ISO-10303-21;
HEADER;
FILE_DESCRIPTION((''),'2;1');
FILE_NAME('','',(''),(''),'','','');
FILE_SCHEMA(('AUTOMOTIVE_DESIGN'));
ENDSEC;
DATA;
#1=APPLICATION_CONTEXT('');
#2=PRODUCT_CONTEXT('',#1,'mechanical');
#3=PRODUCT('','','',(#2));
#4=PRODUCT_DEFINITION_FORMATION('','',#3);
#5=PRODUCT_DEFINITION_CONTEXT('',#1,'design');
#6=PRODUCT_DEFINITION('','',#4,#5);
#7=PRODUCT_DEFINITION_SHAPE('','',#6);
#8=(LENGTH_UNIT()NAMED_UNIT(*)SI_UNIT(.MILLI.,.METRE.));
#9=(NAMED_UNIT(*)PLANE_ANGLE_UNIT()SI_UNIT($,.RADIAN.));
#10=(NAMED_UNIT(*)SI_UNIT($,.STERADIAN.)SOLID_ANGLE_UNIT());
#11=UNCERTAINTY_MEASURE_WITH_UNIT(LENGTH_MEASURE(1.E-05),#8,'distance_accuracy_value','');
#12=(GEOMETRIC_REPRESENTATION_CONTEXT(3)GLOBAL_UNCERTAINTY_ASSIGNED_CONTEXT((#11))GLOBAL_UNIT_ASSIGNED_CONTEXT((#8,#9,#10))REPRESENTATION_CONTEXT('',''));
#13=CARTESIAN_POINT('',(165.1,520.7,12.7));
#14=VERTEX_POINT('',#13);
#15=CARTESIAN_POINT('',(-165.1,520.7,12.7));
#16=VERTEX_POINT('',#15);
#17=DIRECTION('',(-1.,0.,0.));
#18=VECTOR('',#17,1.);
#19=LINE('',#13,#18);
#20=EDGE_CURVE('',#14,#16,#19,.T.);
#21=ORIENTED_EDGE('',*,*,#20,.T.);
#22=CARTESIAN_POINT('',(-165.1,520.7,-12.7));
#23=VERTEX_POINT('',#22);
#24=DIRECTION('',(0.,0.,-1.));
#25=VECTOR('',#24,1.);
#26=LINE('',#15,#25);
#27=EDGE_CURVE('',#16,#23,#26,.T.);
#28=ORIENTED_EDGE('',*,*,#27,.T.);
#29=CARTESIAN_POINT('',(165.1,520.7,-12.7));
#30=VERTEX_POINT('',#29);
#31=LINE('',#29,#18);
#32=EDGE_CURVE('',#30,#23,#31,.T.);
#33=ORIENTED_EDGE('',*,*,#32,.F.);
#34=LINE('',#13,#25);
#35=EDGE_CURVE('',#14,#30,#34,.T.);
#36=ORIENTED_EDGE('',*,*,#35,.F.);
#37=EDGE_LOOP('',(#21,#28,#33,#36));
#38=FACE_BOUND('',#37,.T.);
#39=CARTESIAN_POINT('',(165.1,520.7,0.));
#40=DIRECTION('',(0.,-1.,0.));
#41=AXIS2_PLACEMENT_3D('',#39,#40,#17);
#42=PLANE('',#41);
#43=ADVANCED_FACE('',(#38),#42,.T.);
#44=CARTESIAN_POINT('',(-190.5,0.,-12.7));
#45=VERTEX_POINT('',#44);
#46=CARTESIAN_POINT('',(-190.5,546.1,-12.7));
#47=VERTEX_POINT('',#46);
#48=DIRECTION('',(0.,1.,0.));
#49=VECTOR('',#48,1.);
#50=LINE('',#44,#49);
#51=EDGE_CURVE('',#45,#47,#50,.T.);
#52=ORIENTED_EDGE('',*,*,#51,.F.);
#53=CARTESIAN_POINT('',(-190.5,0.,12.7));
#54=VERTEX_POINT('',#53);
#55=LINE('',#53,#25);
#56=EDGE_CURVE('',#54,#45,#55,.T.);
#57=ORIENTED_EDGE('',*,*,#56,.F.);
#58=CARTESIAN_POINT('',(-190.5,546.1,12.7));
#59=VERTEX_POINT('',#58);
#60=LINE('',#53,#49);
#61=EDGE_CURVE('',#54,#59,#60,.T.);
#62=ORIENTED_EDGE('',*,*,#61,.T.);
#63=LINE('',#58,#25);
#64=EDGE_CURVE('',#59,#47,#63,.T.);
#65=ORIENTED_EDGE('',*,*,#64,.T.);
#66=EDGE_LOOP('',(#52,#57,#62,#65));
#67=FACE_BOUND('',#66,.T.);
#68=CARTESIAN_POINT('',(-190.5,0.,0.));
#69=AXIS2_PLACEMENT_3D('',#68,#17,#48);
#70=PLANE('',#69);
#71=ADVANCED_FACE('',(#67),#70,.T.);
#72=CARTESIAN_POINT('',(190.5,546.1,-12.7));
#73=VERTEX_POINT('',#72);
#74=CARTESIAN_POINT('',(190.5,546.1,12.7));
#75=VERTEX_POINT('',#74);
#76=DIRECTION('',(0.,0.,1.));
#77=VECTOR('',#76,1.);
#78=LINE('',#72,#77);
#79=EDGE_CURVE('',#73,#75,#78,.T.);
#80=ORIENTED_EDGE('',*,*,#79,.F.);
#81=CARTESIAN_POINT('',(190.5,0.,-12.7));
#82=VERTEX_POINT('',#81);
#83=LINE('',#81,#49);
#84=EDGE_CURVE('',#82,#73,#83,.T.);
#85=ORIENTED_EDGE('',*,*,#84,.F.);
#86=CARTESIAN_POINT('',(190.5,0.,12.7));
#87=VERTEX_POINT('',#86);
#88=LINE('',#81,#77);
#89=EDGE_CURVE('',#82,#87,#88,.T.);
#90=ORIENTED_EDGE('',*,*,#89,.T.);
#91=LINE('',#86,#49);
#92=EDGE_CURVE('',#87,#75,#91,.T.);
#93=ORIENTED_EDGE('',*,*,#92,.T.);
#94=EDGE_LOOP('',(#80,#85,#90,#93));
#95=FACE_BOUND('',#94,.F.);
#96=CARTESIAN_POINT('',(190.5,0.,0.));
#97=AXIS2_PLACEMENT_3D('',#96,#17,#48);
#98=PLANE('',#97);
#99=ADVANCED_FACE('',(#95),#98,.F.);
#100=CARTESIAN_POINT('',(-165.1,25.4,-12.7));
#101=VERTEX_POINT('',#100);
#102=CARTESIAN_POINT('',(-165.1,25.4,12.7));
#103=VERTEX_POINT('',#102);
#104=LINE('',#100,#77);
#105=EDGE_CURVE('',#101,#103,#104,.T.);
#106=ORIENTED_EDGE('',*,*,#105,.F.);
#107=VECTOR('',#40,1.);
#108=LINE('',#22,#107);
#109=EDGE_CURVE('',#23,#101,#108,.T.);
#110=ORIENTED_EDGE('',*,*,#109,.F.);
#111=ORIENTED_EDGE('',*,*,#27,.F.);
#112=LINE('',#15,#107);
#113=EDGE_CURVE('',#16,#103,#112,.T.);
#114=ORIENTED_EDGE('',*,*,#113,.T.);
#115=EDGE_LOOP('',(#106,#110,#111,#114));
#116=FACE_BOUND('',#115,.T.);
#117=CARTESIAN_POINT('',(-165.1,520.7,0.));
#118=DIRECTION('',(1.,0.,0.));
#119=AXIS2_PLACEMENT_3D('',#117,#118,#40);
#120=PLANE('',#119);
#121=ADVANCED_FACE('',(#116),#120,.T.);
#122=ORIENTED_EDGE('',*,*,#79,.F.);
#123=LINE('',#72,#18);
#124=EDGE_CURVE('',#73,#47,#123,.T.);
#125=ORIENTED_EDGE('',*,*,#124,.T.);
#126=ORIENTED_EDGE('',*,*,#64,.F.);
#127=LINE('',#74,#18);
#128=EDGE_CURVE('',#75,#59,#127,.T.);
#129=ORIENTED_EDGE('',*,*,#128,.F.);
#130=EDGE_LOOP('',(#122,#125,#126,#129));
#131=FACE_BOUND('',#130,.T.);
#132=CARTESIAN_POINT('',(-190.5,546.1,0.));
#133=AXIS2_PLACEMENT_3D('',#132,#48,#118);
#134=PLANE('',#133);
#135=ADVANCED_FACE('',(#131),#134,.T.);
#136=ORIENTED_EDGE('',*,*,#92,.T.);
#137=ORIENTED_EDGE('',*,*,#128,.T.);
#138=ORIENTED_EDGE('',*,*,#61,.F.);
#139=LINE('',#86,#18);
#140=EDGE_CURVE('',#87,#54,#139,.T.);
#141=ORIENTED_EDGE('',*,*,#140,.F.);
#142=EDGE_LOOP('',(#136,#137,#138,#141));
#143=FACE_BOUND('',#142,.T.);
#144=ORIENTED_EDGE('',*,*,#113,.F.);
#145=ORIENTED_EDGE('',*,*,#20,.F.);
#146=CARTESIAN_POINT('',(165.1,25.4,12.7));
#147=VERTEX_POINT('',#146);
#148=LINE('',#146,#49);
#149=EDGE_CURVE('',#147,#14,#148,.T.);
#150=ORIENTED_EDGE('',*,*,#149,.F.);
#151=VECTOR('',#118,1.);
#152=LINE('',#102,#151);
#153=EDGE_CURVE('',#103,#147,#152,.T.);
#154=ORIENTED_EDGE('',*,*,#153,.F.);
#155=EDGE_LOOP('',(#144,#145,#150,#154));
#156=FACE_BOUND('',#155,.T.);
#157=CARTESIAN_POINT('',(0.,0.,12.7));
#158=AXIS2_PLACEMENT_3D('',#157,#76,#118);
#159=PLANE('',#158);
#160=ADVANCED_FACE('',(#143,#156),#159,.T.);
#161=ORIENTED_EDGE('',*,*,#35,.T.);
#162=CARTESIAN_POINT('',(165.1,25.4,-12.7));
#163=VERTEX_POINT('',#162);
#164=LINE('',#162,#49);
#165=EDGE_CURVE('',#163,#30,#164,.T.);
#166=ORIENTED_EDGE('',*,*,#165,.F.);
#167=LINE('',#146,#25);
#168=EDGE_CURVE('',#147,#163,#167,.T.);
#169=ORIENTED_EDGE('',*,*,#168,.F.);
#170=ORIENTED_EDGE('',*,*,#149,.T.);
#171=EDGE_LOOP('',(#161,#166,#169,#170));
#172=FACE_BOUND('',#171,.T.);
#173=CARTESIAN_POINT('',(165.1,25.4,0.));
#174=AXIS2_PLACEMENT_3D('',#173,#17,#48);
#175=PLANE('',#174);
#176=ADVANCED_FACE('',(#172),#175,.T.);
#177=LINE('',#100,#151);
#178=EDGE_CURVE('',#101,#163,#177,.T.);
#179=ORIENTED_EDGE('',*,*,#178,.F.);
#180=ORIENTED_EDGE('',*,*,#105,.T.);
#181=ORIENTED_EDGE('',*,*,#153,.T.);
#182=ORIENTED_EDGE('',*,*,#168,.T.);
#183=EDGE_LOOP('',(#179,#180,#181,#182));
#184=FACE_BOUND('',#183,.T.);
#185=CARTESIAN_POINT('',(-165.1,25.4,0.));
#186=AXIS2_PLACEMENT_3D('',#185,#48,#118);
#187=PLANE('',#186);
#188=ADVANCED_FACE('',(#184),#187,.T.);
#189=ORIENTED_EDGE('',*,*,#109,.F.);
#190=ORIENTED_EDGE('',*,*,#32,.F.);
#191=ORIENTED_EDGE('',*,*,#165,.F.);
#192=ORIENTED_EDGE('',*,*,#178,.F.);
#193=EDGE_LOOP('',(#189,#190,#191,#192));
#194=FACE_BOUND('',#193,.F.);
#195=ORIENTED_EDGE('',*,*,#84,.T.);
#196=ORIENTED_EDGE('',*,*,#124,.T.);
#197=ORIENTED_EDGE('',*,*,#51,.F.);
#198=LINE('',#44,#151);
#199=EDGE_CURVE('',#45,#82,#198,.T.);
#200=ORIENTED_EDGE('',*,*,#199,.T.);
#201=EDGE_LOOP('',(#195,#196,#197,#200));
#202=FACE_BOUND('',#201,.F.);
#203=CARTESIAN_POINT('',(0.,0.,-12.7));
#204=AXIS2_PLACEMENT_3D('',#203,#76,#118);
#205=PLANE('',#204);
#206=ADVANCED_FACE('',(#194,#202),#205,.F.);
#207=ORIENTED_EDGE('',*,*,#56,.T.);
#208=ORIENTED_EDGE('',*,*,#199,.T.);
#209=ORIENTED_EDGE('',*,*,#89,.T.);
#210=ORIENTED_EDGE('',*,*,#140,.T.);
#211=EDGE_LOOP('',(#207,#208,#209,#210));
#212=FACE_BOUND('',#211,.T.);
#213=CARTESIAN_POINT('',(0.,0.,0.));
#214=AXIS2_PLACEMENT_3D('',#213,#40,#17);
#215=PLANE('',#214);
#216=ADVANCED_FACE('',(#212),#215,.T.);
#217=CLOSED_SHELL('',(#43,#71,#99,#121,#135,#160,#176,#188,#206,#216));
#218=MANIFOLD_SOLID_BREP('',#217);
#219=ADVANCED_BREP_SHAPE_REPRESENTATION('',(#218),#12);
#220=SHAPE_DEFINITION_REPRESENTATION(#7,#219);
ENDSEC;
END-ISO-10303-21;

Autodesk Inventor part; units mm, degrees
ref_plane "YZ Plane" through (0, 0, 0) normal (1, 0, 0) x (0, 1, 0)
ref_plane "XZ Plane" through (0, 0, 0) normal (0, 1, 0) x (-1, 0, 0)
ref_plane "XY Plane" through (0, 0, 0) normal (0, 0, 1) x (1, 0, 0)
sketch "Sketch1" plane through (0, 0, 0) normal (0, 0, 1) x (1, 0, 0)
  line L0 (0, 0) -> (190.5, 0)
  line L1 (190.5, 0) -> (190.5, 546.1)
  line L2 (190.5, 546.1) -> (0, 546.1)
  line L3 (0, 0) -> (0, 546.1) construction
  line L4 (0, 0) -> (-190.5, 0)
  line L5 (-190.5, 0) -> (-190.5, 546.1)
  line L6 (-190.5, 546.1) -> (0, 546.1)
  line L7 (-165.1, 25.4) -> (165.1, 25.4)
  line L8 (165.1, 25.4) -> (165.1, 520.7)
  line L9 (165.1, 520.7) -> (-165.1, 520.7)
  line L10 (-165.1, 520.7) -> (-165.1, 25.4)
  dimension "d1" = 546.1
  dimension "d2" = 381
  dimension "d3" = 25.4
  dimension "d4" = 25.4
  dimension "d5" = 25.4
  dimension "d6" = 25.4
extrude "Extrusion1" add sketch "Sketch1" along normal mid plane 25.4
properties part number "primate3rdStageForShortRobot"
